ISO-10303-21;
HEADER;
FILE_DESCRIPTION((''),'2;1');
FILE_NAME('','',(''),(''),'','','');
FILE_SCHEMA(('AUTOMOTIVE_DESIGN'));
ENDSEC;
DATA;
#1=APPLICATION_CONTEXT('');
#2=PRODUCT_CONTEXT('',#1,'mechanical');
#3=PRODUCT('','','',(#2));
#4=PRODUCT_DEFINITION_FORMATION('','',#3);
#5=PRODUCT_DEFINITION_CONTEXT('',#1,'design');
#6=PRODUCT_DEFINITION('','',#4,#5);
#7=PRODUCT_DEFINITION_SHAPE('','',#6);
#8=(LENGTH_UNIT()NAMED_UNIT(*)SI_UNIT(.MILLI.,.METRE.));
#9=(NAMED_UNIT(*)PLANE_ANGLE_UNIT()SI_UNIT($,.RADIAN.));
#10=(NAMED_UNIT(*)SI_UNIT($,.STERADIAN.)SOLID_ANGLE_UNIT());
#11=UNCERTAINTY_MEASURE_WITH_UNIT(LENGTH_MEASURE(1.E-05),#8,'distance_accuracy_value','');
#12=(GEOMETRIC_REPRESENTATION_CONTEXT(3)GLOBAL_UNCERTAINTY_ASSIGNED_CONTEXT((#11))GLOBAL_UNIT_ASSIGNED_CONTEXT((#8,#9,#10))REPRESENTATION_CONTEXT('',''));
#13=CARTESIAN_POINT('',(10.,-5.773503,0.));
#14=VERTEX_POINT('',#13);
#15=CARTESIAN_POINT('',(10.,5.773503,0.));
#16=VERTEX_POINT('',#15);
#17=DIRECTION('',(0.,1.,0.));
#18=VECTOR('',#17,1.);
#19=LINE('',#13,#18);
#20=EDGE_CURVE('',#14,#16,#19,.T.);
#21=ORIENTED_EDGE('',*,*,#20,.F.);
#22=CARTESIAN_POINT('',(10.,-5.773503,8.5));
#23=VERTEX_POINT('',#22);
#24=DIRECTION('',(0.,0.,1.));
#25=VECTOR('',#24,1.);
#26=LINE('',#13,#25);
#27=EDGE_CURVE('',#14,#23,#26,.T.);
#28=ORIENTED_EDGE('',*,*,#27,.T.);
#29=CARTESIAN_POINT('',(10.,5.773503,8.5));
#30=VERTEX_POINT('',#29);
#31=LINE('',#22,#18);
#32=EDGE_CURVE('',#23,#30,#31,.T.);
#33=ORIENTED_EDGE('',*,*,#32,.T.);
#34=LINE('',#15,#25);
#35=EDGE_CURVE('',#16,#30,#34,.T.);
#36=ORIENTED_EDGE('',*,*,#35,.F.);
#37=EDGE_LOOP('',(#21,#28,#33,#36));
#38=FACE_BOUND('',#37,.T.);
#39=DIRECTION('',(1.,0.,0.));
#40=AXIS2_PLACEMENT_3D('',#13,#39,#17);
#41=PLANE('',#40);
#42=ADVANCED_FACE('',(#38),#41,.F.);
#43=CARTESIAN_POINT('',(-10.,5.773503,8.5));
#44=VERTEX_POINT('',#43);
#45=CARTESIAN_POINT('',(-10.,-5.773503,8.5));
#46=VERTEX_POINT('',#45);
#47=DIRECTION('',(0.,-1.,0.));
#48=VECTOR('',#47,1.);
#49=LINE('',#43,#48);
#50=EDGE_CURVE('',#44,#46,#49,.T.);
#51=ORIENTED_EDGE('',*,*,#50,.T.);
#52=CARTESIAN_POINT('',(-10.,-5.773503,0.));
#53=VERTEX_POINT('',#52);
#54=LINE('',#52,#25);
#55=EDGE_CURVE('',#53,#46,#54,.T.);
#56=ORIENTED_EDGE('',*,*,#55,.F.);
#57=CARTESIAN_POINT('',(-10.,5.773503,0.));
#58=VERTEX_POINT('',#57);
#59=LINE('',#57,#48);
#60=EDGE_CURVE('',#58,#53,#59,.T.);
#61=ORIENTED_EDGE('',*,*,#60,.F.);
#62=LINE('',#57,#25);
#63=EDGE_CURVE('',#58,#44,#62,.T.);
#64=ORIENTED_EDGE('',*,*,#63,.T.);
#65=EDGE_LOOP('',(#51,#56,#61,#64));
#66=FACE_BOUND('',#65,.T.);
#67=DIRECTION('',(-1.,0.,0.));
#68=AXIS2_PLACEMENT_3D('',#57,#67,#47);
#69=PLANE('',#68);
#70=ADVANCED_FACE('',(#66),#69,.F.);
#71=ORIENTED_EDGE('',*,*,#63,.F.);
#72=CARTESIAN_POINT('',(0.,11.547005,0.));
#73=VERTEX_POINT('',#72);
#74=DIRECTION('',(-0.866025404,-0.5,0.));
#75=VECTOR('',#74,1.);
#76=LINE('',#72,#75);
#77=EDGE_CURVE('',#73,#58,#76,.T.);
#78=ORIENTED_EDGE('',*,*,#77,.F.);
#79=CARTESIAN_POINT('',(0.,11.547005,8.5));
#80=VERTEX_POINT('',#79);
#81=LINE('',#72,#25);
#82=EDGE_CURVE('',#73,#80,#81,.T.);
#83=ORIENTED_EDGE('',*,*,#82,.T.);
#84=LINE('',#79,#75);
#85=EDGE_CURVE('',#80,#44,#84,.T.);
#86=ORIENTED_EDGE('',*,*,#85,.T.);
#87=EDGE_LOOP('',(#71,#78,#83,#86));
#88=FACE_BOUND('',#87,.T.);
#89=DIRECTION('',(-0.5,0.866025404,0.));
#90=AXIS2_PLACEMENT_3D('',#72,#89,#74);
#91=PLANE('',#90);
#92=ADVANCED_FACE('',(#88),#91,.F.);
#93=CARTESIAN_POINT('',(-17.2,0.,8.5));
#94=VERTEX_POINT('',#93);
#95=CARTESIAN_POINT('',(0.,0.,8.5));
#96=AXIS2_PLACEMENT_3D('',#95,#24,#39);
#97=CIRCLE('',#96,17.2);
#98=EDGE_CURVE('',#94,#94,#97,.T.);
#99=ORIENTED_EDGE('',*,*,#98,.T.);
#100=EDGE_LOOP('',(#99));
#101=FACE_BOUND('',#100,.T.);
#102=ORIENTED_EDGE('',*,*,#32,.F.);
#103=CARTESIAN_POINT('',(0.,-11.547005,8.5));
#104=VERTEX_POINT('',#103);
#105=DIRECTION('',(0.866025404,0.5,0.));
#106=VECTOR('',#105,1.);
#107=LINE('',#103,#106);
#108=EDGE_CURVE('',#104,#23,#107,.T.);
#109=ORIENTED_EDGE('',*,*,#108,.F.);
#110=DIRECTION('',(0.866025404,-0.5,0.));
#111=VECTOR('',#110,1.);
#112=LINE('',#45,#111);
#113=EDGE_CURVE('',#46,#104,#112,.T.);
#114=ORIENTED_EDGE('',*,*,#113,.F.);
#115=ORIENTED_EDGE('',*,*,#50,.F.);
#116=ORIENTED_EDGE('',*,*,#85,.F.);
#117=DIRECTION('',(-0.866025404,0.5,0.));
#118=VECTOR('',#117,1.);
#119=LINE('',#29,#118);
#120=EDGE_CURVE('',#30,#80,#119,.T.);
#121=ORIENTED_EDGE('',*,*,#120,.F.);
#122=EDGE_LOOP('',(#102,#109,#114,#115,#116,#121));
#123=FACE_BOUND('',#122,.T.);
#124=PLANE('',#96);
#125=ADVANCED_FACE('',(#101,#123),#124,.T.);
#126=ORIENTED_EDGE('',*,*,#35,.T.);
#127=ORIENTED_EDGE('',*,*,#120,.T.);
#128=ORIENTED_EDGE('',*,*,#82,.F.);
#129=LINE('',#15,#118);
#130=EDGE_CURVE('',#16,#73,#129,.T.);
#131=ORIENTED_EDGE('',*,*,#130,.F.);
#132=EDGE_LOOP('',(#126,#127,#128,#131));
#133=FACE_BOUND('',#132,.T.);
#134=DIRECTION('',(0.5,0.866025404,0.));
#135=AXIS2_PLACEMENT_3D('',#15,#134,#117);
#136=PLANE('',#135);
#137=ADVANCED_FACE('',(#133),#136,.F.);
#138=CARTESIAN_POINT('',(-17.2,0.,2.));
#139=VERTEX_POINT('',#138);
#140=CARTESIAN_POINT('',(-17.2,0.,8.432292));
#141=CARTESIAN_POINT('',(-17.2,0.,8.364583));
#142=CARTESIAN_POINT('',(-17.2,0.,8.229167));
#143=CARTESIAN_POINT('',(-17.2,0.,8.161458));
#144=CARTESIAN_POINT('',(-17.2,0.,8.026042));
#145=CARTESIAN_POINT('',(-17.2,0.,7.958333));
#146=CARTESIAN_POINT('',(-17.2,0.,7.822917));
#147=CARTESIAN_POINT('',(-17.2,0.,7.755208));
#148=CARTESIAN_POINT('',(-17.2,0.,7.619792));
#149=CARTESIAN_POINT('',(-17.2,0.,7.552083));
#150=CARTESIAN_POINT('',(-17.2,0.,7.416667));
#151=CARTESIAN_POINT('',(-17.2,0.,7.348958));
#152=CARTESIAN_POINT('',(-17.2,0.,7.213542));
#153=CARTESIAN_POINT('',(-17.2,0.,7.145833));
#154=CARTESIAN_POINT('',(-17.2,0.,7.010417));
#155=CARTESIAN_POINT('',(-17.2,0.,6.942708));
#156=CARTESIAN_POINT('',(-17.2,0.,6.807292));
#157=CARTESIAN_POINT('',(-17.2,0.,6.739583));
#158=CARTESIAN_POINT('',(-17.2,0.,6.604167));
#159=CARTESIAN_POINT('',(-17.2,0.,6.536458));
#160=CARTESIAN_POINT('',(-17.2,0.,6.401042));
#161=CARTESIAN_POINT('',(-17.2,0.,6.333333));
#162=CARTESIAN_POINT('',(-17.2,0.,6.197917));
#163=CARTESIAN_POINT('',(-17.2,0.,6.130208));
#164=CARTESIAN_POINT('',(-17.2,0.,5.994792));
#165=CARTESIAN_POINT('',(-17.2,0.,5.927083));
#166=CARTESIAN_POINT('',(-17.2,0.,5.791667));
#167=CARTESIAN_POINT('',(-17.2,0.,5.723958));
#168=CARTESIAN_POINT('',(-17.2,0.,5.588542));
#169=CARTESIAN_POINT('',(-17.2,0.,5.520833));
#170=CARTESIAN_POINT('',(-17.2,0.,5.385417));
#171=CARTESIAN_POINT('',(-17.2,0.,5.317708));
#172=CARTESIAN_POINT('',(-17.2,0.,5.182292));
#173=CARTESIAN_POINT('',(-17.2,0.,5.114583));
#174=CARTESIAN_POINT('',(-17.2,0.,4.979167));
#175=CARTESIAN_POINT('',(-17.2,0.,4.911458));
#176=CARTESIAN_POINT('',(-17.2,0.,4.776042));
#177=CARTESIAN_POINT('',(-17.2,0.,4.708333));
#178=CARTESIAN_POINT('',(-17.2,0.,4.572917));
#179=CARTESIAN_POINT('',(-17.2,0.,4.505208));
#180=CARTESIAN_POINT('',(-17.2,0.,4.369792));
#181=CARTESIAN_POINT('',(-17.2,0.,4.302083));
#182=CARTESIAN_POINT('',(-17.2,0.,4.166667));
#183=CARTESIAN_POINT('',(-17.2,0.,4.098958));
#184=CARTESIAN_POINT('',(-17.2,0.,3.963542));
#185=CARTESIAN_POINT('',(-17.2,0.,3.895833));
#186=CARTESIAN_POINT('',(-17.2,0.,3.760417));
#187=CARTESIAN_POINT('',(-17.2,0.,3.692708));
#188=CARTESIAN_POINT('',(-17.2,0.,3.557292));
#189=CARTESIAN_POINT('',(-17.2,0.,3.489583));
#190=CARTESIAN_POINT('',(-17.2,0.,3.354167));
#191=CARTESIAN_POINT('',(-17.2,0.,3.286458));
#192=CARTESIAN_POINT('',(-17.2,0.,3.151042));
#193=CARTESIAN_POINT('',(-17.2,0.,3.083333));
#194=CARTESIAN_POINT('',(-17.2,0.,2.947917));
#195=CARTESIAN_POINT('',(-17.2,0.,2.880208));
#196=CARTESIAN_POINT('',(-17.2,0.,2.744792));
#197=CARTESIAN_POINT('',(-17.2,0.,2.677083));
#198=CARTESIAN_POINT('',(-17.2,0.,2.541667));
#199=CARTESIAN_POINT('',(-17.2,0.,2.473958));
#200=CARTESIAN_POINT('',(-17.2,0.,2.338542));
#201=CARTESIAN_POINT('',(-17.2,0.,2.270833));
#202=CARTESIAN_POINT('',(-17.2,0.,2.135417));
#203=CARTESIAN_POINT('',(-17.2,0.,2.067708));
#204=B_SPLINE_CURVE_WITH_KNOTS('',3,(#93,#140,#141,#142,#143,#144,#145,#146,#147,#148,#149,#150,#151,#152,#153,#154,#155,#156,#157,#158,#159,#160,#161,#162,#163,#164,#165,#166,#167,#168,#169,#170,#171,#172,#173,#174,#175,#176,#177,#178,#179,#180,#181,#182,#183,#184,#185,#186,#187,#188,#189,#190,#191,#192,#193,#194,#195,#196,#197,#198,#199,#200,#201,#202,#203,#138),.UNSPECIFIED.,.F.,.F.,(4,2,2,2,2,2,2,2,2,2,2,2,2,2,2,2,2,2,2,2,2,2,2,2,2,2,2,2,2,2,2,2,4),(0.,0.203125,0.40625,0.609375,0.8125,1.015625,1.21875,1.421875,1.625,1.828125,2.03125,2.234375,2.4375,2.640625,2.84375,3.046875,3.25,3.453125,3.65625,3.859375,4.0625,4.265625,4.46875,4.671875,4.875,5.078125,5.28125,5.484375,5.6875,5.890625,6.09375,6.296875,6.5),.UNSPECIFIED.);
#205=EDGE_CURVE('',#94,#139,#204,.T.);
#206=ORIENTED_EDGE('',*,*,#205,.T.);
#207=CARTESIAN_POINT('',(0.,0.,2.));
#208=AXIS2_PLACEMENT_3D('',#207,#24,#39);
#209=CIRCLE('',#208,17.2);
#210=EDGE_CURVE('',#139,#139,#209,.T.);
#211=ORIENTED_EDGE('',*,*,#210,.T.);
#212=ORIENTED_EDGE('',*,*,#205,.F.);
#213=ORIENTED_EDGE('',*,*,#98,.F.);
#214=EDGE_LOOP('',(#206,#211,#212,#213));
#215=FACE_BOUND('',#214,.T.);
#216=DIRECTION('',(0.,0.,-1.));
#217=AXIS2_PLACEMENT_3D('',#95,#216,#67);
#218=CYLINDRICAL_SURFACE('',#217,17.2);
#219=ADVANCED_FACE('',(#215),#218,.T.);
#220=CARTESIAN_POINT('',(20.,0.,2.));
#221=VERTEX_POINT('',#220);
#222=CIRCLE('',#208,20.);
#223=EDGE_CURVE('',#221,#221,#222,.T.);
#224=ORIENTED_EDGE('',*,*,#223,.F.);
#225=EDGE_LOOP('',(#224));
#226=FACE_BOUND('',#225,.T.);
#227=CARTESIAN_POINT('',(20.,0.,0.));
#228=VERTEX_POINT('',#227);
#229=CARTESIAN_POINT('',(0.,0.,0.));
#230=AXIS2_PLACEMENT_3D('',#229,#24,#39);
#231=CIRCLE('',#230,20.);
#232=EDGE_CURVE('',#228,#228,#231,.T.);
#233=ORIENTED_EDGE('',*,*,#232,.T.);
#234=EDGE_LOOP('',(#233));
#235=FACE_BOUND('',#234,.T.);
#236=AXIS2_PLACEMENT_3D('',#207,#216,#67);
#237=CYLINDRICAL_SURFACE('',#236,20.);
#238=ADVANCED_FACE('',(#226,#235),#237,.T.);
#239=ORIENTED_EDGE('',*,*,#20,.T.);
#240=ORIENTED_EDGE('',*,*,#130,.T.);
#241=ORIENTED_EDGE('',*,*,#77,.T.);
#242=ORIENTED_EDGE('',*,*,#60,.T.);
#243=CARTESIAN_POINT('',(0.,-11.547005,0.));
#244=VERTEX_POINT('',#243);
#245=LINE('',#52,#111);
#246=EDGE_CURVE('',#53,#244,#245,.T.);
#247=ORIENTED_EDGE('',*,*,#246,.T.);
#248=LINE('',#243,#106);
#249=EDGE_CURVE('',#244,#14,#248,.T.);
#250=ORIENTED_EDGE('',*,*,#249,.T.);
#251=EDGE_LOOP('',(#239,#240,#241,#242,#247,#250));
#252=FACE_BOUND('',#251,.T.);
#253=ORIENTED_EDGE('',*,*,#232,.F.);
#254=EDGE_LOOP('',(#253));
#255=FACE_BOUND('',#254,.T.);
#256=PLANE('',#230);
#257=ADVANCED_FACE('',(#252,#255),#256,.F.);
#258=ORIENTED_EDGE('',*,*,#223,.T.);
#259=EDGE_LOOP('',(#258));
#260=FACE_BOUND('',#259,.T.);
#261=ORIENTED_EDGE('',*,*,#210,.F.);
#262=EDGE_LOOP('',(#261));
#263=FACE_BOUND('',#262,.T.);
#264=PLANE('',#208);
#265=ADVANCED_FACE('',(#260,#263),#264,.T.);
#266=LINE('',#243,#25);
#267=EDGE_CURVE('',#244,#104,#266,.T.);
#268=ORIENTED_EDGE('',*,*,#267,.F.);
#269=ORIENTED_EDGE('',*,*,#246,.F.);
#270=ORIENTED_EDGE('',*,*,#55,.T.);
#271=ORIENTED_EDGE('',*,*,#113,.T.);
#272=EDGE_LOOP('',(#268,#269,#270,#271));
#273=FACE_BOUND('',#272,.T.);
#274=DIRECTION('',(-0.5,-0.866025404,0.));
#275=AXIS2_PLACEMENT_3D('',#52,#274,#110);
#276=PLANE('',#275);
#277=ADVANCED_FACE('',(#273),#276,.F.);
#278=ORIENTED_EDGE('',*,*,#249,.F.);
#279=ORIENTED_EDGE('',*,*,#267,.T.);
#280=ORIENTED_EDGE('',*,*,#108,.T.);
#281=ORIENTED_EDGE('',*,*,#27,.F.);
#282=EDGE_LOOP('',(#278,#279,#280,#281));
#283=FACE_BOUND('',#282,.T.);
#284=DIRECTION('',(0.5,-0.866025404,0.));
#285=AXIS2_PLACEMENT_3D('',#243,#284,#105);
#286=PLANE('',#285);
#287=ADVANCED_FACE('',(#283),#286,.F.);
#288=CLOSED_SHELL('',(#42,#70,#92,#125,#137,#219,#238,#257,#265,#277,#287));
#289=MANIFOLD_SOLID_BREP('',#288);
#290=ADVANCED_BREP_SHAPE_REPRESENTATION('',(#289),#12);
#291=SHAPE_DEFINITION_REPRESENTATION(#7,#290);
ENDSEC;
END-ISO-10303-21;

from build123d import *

# Parameters (mm, degrees)
SKETCH1_R           = 20
BOSS_EXTRUDE1_DEPTH = 2
SKETCH2_R           = 17.2
BOSS_EXTRUDE2_DEPTH = 6.5
CUT_EXTRUDE1_DEPTH  = 30.533878851


with BuildPart() as part:
    # Sketch1 → Boss-Extrude1 (new body)
    with BuildSketch(Plane.XY):
        Circle(SKETCH1_R)
    extrude(amount=BOSS_EXTRUDE1_DEPTH)

    # Sketch2 → Boss-Extrude2 (add)
    with BuildSketch(Plane.XY.offset(2)):
        with Locations(Location((0, 0, 0), (0, 0, 180))):
            Circle(SKETCH2_R)
    extrude(amount=BOSS_EXTRUDE2_DEPTH)

    # Sketch3 → Cut-Extrude1 (cut, through all)
    with BuildSketch(Plane.XY.offset(8.5)):
        Polygon((0, 11.547005384), (-10, 5.773502692), (-10, -5.773502692), (0, -11.547005384), (10, -5.773502692), (10, 5.773502692), align=None)
    extrude(amount=-CUT_EXTRUDE1_DEPTH, mode=Mode.SUBTRACT)


solid = part.part
